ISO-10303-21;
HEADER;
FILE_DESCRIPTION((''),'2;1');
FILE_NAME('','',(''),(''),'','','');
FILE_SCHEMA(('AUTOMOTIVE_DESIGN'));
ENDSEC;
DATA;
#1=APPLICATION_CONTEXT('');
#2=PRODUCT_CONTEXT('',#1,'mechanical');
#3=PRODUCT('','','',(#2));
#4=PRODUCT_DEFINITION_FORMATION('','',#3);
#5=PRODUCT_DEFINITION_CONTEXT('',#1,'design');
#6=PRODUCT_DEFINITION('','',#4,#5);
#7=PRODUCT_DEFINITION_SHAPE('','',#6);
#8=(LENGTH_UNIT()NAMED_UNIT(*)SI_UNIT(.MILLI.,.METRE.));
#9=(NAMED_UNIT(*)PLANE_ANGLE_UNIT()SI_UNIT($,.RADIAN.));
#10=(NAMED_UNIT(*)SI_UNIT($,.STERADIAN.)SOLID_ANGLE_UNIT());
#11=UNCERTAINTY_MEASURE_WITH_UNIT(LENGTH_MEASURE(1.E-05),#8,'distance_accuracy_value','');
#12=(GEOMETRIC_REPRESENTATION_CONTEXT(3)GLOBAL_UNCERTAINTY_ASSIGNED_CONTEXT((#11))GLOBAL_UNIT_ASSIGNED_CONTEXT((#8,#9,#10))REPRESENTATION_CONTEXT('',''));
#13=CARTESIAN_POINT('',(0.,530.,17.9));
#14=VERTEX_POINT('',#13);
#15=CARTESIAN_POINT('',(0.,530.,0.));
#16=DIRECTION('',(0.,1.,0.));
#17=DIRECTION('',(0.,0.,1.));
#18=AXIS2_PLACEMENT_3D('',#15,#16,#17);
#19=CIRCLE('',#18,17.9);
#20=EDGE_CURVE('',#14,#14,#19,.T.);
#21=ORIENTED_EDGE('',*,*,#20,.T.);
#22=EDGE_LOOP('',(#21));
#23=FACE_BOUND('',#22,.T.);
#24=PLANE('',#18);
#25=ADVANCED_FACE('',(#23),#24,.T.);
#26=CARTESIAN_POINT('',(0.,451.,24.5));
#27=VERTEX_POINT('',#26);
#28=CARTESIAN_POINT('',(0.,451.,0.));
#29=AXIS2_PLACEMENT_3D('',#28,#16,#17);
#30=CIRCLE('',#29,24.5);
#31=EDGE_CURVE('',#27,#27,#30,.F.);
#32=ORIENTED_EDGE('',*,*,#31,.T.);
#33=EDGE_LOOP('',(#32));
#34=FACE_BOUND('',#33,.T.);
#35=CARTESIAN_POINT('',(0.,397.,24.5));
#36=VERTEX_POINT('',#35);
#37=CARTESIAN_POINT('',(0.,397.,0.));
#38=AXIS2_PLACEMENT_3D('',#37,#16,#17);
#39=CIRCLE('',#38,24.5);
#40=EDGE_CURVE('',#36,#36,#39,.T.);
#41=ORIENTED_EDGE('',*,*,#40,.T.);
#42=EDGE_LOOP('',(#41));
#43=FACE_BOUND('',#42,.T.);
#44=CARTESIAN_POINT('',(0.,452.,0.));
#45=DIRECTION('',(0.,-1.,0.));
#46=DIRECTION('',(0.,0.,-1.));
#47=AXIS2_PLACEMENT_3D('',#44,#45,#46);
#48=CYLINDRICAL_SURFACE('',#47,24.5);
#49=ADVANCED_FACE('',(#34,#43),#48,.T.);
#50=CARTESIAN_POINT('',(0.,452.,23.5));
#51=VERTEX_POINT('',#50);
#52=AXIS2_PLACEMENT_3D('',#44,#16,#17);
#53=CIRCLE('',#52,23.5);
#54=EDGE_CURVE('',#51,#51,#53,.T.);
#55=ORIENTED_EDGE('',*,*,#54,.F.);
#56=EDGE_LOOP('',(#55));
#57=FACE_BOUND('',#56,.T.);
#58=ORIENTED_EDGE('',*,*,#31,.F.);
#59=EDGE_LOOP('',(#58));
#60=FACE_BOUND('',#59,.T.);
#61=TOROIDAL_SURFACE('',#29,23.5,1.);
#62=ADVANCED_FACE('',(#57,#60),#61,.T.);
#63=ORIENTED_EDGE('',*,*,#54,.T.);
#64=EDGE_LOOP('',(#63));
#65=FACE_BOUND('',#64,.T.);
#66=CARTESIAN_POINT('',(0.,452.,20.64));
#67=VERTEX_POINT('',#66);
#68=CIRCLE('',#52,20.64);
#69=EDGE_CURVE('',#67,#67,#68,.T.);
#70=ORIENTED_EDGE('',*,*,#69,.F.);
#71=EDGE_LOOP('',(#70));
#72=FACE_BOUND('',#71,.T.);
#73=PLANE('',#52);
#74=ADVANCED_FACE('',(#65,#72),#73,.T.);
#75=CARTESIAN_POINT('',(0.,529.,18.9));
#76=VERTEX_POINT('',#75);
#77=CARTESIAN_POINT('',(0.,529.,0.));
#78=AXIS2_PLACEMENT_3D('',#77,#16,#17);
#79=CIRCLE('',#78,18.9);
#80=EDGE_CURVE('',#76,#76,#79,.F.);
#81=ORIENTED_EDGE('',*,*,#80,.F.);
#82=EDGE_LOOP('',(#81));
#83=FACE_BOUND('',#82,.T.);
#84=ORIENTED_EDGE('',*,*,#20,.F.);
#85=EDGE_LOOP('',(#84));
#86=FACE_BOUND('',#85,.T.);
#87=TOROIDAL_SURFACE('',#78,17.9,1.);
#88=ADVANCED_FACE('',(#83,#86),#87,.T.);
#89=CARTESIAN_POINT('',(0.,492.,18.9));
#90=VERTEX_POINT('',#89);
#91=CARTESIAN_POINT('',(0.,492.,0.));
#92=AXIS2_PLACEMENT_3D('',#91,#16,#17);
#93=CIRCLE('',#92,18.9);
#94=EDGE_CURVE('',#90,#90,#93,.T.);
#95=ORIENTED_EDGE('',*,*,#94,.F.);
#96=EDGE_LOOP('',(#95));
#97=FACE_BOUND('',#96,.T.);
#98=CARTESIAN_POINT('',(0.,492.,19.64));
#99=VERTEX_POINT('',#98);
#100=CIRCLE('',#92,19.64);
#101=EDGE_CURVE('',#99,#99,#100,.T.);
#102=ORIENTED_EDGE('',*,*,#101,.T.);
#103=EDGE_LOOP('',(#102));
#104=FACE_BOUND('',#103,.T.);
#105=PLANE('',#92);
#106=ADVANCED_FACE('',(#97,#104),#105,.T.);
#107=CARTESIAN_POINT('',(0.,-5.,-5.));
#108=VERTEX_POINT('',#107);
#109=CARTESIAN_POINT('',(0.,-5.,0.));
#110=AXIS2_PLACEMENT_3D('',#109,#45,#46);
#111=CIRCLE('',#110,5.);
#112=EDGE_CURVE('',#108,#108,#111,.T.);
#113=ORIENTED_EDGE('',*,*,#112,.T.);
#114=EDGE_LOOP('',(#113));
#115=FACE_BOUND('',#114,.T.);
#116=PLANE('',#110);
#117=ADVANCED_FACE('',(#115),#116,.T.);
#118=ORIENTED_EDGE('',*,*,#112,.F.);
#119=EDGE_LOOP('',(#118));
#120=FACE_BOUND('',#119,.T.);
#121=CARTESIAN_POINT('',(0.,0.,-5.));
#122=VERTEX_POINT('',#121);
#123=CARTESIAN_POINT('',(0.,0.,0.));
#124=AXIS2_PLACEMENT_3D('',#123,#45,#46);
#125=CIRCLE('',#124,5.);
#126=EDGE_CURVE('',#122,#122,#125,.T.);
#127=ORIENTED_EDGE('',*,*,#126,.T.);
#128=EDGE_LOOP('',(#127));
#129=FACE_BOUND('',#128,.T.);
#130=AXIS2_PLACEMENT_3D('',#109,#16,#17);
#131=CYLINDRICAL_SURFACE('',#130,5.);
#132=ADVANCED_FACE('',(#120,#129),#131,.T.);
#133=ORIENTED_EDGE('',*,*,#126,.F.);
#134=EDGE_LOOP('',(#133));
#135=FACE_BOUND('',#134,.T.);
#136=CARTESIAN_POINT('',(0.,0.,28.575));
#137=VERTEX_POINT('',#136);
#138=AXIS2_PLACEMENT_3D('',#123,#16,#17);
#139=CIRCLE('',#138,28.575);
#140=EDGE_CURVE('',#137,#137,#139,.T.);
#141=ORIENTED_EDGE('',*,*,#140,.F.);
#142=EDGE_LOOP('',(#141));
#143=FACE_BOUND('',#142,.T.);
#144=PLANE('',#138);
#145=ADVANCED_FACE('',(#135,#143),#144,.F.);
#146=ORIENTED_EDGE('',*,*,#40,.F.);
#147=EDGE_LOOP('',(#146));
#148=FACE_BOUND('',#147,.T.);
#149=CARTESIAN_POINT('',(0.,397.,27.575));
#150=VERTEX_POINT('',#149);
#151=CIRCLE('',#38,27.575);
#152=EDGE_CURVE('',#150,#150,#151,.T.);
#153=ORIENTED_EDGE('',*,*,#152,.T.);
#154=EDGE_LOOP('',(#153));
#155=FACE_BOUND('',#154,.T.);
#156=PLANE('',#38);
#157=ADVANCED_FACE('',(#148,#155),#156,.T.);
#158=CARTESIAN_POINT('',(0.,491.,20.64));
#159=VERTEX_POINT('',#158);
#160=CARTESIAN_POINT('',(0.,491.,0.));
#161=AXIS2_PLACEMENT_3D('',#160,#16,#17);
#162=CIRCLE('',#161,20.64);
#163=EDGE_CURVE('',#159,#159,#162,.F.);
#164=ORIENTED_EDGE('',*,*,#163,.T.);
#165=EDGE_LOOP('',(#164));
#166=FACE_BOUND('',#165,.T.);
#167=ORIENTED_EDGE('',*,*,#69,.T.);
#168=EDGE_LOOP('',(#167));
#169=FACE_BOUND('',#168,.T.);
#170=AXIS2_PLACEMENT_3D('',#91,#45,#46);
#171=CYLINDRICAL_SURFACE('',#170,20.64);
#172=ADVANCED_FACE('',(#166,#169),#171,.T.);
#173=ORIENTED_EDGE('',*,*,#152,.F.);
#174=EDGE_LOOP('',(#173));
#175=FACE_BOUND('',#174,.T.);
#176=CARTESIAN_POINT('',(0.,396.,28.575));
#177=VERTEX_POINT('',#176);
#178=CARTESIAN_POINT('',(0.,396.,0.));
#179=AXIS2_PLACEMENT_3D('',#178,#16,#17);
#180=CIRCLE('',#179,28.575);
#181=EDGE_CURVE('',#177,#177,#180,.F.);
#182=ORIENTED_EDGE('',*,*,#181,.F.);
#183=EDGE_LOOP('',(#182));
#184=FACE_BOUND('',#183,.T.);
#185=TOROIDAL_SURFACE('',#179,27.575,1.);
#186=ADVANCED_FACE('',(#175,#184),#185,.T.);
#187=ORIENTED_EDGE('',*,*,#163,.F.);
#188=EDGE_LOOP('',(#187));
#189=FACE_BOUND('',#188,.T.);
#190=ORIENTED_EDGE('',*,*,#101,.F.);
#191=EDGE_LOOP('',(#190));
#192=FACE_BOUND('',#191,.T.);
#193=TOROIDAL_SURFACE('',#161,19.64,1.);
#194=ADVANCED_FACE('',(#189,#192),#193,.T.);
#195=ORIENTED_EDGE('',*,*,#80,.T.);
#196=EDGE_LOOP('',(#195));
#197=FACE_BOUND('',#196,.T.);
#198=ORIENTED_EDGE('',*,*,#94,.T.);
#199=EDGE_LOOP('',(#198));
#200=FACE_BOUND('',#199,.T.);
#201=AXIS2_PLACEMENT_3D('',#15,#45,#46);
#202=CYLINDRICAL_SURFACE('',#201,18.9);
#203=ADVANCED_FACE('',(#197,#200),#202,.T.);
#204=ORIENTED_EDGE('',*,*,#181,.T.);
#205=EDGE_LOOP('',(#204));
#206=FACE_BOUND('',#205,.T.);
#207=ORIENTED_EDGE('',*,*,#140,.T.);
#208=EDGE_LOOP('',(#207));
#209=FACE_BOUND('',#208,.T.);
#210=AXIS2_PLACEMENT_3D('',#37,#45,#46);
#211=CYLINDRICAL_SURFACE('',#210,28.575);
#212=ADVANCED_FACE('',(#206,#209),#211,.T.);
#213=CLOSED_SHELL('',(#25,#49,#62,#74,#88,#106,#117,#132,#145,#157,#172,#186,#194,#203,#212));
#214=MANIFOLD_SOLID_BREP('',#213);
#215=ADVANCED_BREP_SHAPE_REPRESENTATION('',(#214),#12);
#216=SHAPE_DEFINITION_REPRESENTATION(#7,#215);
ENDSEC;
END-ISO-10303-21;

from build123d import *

# Parameters (mm, degrees)
SKETCH1_R           = 28.575
BOSS_EXTRUDE1_DEPTH = 397
SKETCH2_R           = 24.5
BOSS_EXTRUDE2_DEPTH = 55
SKETCH3_R           = 20.64
BOSS_EXTRUDE3_DEPTH = 40
SKETCH4_R           = 18.9
BOSS_EXTRUDE4_DEPTH = 38
FILLET1_R           = 1
SKETCH5_R           = 5
BOSS_EXTRUDE5_DEPTH = 5


with BuildPart() as part:
    # Sketch1 → Boss-Extrude1 (new body)
    with BuildSketch(Plane(origin=(0, 0, 0), x_dir=(1, 0, 0), z_dir=(0, 1, 0))):
        with Locations(Location((0, 0, 0), (0, 0, 270))):
            Circle(SKETCH1_R)
    extrude(amount=BOSS_EXTRUDE1_DEPTH)

    # Sketch2 → Boss-Extrude2 (add)
    with BuildSketch(Plane(origin=(0, 397, 0), x_dir=(1, 0, 0), z_dir=(0, 1, 0))):
        with Locations(Location((0, 0, 0), (0, 0, 270))):
            Circle(SKETCH2_R)
    extrude(amount=BOSS_EXTRUDE2_DEPTH)

    # Sketch3 → Boss-Extrude3 (add)
    with BuildSketch(Plane(origin=(0, 452, 0), x_dir=(1, 0, 0), z_dir=(0, 1, 0))):
        with Locations(Location((0, 0, 0), (0, 0, 270))):
            Circle(SKETCH3_R)
    extrude(amount=BOSS_EXTRUDE3_DEPTH)

    # Sketch4 → Boss-Extrude4 (add)
    with BuildSketch(Plane(origin=(0, 492, 0), x_dir=(1, 0, 0), z_dir=(0, 1, 0))):
        with Locations(Location((0, 0, 0), (0, 0, 270))):
            Circle(SKETCH4_R)
    extrude(amount=BOSS_EXTRUDE4_DEPTH)

    # Fillet1
    fillet1_edges = [part.edges().sort_by_distance(p)[0] for p in [
        (0, 492, -20.64),
        (0, 530, -18.9),
        (0, 397, -28.575),
        (0, 452, -24.5),
    ]]
    fillet(fillet1_edges, radius=FILLET1_R)

    # Sketch5 → Boss-Extrude5 (add)
    with BuildSketch(Plane.XZ):
        with Locations(Location((0, 0, 0), (0, 0, 270))):
            Circle(SKETCH5_R)
    extrude(amount=BOSS_EXTRUDE5_DEPTH)


solid = part.part
